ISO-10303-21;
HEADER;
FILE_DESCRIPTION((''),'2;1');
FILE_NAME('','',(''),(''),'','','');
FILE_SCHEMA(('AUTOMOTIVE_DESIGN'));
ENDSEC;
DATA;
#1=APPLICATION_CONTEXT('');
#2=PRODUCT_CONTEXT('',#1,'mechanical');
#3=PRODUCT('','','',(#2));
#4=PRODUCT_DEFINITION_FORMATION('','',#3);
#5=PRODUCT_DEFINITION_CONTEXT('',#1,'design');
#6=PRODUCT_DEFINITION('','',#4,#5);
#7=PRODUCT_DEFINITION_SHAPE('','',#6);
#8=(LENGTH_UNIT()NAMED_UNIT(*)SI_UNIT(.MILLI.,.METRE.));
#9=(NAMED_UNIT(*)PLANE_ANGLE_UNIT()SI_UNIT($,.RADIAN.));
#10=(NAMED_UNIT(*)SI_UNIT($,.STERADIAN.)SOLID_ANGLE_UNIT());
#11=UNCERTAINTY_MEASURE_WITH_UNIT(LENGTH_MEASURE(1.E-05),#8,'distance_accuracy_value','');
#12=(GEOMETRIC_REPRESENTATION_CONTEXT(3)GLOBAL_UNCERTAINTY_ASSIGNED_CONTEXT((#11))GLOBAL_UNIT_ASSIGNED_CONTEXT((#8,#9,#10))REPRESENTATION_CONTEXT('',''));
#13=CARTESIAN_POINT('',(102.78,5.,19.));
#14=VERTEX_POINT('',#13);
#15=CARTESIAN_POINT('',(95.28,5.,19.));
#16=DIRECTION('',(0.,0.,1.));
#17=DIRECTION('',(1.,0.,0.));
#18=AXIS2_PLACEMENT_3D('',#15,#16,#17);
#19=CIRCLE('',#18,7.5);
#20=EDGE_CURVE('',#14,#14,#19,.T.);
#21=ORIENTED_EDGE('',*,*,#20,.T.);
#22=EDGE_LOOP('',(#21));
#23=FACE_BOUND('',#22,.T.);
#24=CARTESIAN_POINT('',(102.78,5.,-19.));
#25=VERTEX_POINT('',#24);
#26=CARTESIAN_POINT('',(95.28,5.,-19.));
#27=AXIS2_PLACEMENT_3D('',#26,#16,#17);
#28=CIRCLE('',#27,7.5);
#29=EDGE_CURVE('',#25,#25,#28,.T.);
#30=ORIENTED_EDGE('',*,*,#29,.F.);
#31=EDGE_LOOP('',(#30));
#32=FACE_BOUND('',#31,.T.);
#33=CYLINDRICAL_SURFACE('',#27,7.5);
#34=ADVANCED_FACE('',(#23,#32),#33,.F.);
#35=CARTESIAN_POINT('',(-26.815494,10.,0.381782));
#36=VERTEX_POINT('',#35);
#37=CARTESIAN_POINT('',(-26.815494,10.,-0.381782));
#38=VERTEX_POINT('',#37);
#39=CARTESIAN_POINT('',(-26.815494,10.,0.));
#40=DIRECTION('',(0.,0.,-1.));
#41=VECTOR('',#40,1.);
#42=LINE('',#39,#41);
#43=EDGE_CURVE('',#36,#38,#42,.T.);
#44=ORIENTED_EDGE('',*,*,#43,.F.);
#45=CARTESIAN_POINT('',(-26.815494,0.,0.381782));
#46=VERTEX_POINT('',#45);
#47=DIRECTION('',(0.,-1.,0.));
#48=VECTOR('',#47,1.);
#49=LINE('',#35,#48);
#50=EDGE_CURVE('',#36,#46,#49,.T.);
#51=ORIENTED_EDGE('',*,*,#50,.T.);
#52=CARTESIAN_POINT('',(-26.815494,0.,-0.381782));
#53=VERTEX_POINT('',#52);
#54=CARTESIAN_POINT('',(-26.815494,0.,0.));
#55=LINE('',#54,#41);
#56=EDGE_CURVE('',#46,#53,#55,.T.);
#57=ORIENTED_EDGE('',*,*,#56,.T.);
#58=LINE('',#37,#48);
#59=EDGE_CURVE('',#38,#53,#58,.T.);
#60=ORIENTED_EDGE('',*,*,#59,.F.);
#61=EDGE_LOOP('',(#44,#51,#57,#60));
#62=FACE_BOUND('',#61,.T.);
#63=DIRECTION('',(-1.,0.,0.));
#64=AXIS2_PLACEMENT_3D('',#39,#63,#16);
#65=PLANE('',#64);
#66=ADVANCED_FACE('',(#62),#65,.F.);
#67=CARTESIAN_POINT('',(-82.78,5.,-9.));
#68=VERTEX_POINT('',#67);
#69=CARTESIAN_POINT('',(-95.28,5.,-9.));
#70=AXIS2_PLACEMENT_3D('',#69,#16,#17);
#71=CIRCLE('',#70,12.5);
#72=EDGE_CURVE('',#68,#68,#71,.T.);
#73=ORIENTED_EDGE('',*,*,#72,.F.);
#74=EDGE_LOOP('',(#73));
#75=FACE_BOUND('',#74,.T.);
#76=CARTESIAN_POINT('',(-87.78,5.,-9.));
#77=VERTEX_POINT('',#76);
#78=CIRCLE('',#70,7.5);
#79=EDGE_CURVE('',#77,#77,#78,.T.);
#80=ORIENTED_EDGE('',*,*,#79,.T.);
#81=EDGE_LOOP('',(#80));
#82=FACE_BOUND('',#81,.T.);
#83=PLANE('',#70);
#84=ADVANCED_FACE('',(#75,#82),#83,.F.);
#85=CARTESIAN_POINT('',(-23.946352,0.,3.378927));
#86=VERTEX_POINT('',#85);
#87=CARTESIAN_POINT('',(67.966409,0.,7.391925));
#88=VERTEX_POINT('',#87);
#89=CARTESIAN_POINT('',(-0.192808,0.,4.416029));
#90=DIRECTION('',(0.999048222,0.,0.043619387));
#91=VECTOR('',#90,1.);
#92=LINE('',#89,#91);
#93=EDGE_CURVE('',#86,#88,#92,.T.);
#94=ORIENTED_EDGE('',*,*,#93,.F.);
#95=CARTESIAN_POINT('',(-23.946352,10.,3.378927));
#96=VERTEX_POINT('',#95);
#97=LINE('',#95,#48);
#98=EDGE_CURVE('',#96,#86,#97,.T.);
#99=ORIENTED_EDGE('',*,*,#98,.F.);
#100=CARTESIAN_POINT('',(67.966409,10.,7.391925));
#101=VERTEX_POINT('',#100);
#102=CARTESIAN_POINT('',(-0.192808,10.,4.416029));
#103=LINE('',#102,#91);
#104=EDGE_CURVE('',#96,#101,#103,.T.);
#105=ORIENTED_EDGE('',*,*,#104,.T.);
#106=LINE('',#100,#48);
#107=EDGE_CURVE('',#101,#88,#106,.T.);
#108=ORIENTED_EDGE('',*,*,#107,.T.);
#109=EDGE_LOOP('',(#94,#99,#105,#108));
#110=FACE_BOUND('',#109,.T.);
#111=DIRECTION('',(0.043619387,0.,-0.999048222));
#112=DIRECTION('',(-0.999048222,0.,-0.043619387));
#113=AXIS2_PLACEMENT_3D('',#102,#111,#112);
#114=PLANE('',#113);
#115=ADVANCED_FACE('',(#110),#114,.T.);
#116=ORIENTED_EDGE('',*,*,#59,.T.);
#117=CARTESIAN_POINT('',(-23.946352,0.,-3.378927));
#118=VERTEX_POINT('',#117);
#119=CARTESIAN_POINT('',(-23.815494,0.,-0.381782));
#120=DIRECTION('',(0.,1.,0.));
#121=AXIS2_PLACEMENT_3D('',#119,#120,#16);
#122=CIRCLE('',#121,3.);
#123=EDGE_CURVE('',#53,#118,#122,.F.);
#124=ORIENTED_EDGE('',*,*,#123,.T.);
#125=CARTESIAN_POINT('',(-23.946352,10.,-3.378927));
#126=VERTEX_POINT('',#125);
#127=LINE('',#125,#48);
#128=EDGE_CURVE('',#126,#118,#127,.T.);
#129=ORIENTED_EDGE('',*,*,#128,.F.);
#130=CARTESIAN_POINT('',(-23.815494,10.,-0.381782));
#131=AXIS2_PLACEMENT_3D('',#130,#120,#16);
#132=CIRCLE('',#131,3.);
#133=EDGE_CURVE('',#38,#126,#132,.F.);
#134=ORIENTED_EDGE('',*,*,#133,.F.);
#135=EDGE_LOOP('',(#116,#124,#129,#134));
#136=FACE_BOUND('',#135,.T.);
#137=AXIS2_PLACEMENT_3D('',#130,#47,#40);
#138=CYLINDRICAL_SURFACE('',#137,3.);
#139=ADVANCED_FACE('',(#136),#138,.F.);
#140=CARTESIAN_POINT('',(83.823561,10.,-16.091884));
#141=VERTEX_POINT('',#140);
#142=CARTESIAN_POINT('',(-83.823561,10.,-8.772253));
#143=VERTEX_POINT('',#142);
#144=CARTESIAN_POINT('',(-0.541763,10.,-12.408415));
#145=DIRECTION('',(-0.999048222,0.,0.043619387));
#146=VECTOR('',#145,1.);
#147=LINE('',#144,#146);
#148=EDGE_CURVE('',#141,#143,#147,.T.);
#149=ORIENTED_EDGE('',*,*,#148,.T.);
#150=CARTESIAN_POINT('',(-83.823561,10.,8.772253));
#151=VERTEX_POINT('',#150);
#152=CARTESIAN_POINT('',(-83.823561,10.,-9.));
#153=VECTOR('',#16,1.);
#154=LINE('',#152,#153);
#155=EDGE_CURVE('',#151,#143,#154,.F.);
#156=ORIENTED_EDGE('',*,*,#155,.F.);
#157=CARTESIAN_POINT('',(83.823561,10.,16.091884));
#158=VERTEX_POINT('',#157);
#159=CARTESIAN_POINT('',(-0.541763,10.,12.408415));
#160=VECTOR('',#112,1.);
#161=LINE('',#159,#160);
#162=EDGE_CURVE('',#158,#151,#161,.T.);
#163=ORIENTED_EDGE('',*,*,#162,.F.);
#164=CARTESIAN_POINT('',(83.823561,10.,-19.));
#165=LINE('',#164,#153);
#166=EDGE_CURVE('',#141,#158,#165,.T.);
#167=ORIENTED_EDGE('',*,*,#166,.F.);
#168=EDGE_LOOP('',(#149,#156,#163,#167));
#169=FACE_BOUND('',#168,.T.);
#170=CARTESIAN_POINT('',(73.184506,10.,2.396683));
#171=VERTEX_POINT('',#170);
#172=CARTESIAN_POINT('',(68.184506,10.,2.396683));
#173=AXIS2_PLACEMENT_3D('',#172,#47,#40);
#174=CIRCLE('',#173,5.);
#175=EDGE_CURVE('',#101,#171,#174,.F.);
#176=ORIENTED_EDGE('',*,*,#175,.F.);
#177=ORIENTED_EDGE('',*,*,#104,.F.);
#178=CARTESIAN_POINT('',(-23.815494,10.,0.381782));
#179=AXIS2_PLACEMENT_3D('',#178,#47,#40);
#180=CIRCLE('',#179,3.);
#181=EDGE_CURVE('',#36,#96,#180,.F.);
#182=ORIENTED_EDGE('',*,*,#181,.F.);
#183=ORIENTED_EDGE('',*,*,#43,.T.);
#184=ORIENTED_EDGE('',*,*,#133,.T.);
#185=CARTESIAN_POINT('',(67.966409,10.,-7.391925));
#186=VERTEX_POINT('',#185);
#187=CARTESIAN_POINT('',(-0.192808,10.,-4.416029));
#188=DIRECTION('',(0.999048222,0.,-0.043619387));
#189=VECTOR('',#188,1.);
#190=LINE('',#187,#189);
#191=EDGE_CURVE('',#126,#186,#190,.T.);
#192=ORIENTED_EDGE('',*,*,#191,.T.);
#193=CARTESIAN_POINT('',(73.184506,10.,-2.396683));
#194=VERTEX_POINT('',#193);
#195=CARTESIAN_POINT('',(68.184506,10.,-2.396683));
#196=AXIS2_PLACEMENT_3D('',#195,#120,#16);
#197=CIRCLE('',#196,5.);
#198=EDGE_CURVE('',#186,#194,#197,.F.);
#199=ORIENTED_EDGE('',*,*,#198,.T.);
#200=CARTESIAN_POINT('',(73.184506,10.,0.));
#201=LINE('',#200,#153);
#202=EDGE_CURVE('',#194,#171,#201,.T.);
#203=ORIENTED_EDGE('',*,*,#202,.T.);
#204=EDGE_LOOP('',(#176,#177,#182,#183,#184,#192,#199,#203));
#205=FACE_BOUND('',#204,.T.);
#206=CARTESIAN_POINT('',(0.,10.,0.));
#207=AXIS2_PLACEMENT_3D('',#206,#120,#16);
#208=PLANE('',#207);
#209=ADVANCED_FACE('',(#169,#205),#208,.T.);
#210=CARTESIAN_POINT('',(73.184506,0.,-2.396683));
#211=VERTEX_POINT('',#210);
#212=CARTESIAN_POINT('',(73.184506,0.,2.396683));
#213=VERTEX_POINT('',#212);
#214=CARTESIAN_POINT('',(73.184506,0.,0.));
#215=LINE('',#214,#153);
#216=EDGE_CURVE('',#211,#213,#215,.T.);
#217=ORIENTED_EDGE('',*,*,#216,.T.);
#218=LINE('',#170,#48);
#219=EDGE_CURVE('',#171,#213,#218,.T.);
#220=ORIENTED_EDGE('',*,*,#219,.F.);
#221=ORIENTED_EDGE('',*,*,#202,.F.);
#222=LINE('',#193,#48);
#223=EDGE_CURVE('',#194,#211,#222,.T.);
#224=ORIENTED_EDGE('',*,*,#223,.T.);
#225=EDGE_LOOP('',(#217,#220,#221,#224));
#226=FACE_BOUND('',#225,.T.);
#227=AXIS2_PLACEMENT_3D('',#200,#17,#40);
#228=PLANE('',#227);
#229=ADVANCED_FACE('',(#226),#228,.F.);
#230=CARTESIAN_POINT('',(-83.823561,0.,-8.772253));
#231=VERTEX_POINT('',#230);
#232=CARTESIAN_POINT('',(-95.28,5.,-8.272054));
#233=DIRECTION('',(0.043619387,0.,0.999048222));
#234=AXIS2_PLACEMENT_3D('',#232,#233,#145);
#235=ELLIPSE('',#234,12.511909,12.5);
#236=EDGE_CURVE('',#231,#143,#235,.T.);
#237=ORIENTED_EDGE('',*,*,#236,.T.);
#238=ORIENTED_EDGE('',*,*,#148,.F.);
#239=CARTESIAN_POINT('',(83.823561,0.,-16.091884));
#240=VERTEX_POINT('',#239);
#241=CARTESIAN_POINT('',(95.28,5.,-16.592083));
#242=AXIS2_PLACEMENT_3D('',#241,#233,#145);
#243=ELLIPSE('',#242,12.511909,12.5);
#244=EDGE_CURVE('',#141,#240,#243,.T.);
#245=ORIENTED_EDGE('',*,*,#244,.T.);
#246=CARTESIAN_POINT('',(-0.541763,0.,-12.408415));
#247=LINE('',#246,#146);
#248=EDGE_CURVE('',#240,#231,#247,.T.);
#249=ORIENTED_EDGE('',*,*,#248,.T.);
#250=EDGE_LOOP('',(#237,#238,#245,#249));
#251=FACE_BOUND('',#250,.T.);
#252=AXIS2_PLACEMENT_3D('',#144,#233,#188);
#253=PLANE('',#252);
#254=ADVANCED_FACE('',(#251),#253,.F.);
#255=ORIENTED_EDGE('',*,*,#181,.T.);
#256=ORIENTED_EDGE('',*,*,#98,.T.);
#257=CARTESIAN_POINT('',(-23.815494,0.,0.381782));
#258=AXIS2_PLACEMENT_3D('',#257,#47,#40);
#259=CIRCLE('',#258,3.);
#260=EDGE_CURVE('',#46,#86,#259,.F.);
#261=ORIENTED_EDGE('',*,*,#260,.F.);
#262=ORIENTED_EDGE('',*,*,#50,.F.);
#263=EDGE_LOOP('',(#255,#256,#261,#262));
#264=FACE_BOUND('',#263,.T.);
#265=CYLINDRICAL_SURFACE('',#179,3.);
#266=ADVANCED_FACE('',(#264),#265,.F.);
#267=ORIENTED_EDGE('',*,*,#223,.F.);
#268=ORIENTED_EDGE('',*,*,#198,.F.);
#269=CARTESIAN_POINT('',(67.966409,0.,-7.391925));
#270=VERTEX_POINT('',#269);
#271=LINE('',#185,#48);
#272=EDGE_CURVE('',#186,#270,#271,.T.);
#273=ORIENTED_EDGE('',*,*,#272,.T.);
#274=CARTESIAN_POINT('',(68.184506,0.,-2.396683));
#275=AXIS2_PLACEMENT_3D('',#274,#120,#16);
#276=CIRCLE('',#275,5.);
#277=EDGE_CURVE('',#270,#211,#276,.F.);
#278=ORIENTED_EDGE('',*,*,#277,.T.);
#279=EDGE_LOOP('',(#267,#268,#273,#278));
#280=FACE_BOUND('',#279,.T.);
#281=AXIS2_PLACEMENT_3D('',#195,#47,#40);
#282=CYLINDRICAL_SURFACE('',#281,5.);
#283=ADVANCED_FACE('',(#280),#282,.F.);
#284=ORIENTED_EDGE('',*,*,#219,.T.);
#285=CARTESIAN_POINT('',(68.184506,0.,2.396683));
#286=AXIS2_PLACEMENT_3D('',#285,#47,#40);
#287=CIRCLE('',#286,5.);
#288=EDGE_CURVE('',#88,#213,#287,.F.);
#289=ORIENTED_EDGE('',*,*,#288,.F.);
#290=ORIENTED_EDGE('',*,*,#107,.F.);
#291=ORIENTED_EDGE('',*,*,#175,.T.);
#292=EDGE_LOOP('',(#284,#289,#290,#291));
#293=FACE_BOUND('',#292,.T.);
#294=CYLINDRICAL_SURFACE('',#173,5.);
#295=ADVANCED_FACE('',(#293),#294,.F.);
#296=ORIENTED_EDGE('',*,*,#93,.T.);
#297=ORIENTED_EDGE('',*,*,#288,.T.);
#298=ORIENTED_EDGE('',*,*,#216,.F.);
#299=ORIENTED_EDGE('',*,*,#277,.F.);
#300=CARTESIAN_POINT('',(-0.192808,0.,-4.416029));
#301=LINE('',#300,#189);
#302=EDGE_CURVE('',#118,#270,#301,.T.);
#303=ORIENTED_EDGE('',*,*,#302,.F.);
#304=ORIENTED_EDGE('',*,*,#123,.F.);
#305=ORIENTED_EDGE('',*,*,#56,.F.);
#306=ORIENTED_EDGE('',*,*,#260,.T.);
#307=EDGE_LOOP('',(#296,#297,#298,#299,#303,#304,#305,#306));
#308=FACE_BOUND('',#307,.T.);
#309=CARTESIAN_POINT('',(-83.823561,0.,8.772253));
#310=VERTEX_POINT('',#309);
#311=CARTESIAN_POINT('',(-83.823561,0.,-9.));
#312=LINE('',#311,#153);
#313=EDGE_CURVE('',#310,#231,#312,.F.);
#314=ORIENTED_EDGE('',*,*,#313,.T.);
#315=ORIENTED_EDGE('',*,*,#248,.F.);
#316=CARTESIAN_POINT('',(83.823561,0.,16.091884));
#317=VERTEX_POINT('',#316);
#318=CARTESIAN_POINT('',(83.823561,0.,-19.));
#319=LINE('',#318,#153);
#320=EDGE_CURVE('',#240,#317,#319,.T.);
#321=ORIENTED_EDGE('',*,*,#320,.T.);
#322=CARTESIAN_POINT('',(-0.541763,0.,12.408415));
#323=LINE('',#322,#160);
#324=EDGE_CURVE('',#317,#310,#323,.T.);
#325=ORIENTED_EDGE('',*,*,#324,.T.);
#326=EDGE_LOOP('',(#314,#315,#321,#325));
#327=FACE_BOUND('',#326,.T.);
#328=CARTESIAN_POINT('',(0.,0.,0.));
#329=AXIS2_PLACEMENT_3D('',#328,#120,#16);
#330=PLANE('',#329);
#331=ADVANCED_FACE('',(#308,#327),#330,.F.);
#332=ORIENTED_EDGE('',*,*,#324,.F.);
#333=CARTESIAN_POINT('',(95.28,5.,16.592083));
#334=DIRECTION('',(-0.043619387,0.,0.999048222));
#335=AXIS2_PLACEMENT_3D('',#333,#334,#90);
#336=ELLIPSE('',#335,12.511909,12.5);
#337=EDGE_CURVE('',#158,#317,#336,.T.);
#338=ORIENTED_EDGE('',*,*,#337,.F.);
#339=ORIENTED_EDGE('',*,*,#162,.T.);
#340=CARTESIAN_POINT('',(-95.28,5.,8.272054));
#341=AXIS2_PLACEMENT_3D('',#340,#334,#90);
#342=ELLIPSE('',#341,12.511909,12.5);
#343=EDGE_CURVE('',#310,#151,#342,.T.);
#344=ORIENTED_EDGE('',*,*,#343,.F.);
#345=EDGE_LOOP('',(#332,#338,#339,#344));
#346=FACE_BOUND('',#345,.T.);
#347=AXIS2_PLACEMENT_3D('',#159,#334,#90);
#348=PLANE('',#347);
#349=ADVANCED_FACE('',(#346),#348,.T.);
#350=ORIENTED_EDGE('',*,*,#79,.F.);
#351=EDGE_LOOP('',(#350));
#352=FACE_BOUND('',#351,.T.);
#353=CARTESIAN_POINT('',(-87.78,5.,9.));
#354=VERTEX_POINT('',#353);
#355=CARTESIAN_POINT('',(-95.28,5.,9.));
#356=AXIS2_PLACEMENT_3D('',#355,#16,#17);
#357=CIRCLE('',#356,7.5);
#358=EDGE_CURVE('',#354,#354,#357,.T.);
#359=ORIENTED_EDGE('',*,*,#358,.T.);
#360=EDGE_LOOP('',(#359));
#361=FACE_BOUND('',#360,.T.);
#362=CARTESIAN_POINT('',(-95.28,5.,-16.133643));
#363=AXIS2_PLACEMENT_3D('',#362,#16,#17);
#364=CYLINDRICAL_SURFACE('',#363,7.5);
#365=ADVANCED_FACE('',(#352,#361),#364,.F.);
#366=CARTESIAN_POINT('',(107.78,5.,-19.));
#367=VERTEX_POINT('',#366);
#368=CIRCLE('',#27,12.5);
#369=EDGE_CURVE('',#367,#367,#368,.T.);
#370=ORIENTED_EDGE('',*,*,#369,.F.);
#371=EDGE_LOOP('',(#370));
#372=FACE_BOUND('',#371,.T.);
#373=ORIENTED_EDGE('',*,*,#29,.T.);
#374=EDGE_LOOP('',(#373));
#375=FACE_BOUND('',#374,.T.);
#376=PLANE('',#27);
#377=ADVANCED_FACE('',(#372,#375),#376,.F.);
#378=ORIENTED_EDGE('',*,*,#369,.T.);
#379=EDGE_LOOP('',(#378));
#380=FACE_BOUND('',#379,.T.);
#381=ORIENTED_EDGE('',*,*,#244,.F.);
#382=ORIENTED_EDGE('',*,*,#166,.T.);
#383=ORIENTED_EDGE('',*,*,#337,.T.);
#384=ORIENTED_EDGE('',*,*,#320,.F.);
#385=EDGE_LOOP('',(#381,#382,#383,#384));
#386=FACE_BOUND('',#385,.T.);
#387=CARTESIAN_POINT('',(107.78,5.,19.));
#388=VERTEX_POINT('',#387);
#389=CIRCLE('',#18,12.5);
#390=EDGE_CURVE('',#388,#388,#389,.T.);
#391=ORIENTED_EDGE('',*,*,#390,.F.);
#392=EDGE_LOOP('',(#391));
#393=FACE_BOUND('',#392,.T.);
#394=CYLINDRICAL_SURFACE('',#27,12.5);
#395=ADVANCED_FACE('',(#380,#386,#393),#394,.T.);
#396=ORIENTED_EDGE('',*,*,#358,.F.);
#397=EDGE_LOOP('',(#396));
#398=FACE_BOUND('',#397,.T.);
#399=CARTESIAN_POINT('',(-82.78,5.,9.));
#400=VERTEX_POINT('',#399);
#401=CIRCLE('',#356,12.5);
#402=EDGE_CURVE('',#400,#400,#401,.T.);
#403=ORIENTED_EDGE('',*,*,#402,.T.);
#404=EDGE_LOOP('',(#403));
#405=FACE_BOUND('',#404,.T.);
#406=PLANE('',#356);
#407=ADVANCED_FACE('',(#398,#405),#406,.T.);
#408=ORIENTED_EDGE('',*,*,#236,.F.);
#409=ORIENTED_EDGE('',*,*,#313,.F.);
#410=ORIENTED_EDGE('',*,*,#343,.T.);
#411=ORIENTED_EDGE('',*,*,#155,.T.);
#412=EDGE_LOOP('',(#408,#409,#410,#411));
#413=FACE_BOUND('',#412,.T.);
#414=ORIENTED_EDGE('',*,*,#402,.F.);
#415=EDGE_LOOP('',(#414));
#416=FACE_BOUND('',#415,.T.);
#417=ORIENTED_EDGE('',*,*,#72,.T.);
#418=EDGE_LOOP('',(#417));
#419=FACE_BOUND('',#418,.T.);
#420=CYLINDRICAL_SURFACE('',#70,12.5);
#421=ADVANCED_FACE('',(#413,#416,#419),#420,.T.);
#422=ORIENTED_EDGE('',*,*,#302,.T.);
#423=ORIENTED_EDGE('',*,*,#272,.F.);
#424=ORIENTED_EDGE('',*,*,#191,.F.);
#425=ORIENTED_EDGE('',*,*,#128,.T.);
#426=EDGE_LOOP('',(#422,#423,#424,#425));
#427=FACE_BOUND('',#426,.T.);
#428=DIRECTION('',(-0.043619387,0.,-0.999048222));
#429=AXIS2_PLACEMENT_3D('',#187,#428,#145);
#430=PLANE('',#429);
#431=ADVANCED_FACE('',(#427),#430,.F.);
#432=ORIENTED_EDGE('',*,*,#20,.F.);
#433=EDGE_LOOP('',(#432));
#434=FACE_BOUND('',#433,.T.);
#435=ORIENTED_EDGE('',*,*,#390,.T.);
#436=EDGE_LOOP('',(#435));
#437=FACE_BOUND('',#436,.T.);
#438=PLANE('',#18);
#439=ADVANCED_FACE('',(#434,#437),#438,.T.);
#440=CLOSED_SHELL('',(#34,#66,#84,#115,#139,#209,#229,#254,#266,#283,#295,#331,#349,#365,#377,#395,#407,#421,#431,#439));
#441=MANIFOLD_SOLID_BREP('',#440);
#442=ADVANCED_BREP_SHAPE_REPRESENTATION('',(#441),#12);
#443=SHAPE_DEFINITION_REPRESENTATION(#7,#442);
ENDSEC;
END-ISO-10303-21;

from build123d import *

# Parameters (mm, degrees)
BOSS_EXTRUDE1_DEPTH      = 10
BOSS_EXTRUDE2_DEPTH      = 9
BOSS_EXTRUDE2_DEPTH_BACK = 9
SKETCH2_R                = 12.5
SKETCH3_R                = 7.5
CUT_EXTRUDE1_DEPTH       = 113.046768917
BOSS_EXTRUDE3_DEPTH      = 19
BOSS_EXTRUDE3_DEPTH_BACK = 19
SKETCH4_R                = 12.5
SKETCH5_R                = 7.5
CUT_EXTRUDE2_DEPTH       = 116.614784522


with BuildPart() as part:
    # Sketch1 → Boss-Extrude1 (new body)
    with BuildSketch(Plane(origin=(0, 0, 0), x_dir=(1, 0, 0), z_dir=(0, 1, 0))):
        with BuildLine():
            Line((84.78, 16.133643284), (-84.78, 8.730493804))
            Line((-84.78, 8.730493804), (-84.78, 0))
            Line((-84.78, 0), (-26.81549416, 0))
            Line((-26.81549416, 0), (-26.81549416, 0.381782076))
            ThreePointArc((-26.81549416, 0.381782076), (-25.982586046, 2.456321244), (-23.946352322, 3.378926741))
            Line((-23.946352322, 3.378926741), (67.966408903, 7.391924561))
            ThreePointArc((67.966408903, 7.391924561), (71.642071119, 6.008503264), (73.18450584, 2.396683453))
            Line((73.18450584, 2.396683453), (73.18450584, 0))
            Line((73.18450584, 0), (84.78, 0))
            Line((84.78, 0), (84.78, 16.133643284))
        make_face()
    boss_extrude1 = extrude(amount=BOSS_EXTRUDE1_DEPTH)

    # Mirror1: Boss-Extrude1 across plane
    add(boss_extrude1.mirror(Plane.XY))

    # Sketch2 → Boss-Extrude2 (add, two sides: drawn at the far end of the back side and taken through both)
    with BuildSketch(Plane.XY.offset(-BOSS_EXTRUDE2_DEPTH_BACK)):
        with Locations((-95.28, 5)):
            Circle(SKETCH2_R)
    extrude(amount=BOSS_EXTRUDE2_DEPTH + BOSS_EXTRUDE2_DEPTH_BACK)

    # Sketch3 → Cut-Extrude1 (cut, through all)
    with BuildSketch(Plane.XY.offset(9)):
        with Locations((-95.28, 5)):
            Circle(SKETCH3_R)
    extrude(amount=-CUT_EXTRUDE1_DEPTH, mode=Mode.SUBTRACT)

    # Sketch4 → Boss-Extrude3 (add, two sides: drawn at the far end of the back side and taken through both)
    with BuildSketch(Plane.XY.offset(-BOSS_EXTRUDE3_DEPTH_BACK)):
        with Locations((95.28, 5)):
            Circle(SKETCH4_R)
    extrude(amount=BOSS_EXTRUDE3_DEPTH + BOSS_EXTRUDE3_DEPTH_BACK)

    # Sketch5 → Cut-Extrude2 (cut, through all)
    with BuildSketch(Plane.XY.offset(19)):
        with Locations((95.28, 5)):
            Circle(SKETCH5_R)
    extrude(amount=-CUT_EXTRUDE2_DEPTH, mode=Mode.SUBTRACT)


solid = part.part
